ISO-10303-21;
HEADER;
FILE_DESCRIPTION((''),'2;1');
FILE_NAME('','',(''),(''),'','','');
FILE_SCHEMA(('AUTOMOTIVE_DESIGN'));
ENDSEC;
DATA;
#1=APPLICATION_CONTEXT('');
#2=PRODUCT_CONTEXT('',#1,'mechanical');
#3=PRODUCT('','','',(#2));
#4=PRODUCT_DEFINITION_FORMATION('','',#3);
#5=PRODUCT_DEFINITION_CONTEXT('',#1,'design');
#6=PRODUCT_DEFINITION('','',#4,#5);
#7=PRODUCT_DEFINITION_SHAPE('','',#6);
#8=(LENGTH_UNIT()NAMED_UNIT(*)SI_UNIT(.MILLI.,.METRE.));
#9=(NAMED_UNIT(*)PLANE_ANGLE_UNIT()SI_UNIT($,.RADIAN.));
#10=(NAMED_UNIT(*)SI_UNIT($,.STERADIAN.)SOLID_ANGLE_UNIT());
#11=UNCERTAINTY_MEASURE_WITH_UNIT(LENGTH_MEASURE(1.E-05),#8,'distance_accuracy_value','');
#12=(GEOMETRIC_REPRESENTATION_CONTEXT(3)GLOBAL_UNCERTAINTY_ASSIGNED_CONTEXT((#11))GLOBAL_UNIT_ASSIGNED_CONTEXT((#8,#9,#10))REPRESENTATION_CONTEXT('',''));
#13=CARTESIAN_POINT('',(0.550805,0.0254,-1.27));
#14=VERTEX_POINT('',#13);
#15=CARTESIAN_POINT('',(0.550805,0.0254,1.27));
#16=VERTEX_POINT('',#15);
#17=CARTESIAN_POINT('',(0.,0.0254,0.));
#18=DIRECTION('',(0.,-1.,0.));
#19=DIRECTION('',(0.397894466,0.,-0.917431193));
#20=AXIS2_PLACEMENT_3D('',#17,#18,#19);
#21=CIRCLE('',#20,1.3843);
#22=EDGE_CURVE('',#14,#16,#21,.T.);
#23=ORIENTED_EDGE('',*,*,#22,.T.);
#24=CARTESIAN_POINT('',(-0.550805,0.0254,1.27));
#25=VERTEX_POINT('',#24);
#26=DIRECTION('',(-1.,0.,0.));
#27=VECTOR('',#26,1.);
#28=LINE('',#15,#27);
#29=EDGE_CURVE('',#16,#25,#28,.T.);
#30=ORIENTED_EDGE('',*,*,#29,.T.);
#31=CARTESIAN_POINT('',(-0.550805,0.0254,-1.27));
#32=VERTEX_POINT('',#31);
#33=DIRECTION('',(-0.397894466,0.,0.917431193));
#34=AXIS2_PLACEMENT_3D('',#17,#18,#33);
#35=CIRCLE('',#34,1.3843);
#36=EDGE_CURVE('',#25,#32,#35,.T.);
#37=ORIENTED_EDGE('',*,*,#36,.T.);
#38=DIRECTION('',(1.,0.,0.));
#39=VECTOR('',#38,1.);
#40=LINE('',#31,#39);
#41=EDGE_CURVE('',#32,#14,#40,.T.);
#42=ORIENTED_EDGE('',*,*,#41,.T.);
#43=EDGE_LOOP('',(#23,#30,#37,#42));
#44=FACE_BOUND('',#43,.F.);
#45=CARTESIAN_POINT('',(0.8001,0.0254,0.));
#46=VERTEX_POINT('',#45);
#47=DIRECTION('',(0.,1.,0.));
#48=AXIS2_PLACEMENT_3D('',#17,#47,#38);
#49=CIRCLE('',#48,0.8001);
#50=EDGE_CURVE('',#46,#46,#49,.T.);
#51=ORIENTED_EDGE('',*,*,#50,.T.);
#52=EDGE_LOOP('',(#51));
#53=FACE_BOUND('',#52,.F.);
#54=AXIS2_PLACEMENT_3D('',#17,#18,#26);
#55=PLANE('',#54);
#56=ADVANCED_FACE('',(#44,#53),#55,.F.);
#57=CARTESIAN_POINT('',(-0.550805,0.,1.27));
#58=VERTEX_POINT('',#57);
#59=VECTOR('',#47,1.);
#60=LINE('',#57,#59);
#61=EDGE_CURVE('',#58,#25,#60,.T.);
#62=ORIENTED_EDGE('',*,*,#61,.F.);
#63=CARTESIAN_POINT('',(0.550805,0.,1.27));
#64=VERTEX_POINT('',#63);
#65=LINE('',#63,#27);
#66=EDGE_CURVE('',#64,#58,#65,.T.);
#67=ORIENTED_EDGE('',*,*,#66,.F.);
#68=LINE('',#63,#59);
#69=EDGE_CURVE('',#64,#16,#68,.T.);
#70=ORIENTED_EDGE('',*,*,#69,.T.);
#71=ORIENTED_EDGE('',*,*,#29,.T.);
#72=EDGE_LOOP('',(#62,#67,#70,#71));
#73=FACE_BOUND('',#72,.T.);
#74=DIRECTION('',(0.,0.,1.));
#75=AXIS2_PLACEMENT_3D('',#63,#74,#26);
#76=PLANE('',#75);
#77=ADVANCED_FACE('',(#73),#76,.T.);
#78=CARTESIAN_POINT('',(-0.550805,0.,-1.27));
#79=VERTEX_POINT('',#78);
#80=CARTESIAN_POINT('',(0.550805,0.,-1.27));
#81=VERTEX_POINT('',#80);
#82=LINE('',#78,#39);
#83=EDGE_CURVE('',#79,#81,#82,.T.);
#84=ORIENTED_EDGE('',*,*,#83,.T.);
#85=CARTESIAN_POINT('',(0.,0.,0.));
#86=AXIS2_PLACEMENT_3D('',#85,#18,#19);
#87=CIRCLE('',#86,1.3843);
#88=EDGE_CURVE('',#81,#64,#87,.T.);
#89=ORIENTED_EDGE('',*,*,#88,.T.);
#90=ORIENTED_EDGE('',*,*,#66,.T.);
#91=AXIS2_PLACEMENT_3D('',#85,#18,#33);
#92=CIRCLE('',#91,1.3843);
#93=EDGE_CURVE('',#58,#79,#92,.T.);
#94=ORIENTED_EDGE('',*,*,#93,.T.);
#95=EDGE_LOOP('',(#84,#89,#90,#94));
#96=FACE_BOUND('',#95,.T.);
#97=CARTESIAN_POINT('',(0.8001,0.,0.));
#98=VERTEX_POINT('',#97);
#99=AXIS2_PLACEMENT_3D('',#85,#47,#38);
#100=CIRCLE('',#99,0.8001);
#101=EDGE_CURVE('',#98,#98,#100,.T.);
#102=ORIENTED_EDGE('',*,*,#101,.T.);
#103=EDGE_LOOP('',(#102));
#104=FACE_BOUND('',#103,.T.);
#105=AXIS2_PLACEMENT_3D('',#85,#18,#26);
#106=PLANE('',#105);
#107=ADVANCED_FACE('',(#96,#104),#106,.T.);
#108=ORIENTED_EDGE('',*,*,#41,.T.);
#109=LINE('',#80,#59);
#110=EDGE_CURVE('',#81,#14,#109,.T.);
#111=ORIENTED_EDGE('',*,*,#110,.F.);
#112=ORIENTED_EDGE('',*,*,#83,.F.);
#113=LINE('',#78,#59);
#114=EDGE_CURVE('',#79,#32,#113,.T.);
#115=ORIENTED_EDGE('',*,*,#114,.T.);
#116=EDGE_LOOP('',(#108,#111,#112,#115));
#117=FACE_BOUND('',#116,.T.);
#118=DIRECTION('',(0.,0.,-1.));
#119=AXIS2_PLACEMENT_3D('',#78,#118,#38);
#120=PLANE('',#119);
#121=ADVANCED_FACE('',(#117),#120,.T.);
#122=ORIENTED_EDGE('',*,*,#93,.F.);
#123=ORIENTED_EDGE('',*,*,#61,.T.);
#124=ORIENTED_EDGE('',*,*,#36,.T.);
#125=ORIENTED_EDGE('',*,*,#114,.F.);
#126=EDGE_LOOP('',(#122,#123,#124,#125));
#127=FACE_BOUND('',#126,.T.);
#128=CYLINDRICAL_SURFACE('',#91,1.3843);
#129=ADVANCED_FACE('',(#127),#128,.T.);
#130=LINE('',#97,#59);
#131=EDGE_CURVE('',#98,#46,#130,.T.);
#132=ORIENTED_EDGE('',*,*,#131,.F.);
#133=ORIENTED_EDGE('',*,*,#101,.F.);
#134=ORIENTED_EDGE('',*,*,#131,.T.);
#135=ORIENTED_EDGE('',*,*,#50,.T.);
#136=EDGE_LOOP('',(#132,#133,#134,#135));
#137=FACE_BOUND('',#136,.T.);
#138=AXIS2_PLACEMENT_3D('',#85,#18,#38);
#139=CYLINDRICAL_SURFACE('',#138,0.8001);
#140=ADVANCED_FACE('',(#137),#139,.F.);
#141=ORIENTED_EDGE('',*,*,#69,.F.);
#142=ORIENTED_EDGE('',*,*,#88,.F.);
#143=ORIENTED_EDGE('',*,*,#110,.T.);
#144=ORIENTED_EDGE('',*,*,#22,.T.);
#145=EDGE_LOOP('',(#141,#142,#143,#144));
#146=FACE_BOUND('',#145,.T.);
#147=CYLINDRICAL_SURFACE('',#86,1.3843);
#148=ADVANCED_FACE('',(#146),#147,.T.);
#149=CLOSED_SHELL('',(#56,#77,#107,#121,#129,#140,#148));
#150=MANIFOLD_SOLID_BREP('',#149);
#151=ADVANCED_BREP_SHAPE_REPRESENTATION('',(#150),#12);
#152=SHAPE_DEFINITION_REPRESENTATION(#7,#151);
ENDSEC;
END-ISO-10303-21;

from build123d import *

# Parameters (mm, degrees)
SKETCH7_R           = 0.8001
BOSS_EXTRUDE3_DEPTH = 0.0254


with BuildPart() as part:
    # Sketch7 → Boss-Extrude3 (new body)
    with BuildSketch(Plane(origin=(0, 0, 0), x_dir=(1, 0, 0), z_dir=(0, 1, 0))):
        with BuildLine():
            Line((-0.55080531, 1.27), (0.55080531, 1.27))
            ThreePointArc((0.55080531, 1.27), (1.3843, 0), (0.55080531, -1.27))
            Line((0.55080531, -1.27), (-0.55080531, -1.27))
            ThreePointArc((-0.55080531, -1.27), (-1.3843, 0), (-0.55080531, 1.27))
        make_face()
        Circle(SKETCH7_R, mode=Mode.SUBTRACT)
    extrude(amount=BOSS_EXTRUDE3_DEPTH)


solid = part.part
